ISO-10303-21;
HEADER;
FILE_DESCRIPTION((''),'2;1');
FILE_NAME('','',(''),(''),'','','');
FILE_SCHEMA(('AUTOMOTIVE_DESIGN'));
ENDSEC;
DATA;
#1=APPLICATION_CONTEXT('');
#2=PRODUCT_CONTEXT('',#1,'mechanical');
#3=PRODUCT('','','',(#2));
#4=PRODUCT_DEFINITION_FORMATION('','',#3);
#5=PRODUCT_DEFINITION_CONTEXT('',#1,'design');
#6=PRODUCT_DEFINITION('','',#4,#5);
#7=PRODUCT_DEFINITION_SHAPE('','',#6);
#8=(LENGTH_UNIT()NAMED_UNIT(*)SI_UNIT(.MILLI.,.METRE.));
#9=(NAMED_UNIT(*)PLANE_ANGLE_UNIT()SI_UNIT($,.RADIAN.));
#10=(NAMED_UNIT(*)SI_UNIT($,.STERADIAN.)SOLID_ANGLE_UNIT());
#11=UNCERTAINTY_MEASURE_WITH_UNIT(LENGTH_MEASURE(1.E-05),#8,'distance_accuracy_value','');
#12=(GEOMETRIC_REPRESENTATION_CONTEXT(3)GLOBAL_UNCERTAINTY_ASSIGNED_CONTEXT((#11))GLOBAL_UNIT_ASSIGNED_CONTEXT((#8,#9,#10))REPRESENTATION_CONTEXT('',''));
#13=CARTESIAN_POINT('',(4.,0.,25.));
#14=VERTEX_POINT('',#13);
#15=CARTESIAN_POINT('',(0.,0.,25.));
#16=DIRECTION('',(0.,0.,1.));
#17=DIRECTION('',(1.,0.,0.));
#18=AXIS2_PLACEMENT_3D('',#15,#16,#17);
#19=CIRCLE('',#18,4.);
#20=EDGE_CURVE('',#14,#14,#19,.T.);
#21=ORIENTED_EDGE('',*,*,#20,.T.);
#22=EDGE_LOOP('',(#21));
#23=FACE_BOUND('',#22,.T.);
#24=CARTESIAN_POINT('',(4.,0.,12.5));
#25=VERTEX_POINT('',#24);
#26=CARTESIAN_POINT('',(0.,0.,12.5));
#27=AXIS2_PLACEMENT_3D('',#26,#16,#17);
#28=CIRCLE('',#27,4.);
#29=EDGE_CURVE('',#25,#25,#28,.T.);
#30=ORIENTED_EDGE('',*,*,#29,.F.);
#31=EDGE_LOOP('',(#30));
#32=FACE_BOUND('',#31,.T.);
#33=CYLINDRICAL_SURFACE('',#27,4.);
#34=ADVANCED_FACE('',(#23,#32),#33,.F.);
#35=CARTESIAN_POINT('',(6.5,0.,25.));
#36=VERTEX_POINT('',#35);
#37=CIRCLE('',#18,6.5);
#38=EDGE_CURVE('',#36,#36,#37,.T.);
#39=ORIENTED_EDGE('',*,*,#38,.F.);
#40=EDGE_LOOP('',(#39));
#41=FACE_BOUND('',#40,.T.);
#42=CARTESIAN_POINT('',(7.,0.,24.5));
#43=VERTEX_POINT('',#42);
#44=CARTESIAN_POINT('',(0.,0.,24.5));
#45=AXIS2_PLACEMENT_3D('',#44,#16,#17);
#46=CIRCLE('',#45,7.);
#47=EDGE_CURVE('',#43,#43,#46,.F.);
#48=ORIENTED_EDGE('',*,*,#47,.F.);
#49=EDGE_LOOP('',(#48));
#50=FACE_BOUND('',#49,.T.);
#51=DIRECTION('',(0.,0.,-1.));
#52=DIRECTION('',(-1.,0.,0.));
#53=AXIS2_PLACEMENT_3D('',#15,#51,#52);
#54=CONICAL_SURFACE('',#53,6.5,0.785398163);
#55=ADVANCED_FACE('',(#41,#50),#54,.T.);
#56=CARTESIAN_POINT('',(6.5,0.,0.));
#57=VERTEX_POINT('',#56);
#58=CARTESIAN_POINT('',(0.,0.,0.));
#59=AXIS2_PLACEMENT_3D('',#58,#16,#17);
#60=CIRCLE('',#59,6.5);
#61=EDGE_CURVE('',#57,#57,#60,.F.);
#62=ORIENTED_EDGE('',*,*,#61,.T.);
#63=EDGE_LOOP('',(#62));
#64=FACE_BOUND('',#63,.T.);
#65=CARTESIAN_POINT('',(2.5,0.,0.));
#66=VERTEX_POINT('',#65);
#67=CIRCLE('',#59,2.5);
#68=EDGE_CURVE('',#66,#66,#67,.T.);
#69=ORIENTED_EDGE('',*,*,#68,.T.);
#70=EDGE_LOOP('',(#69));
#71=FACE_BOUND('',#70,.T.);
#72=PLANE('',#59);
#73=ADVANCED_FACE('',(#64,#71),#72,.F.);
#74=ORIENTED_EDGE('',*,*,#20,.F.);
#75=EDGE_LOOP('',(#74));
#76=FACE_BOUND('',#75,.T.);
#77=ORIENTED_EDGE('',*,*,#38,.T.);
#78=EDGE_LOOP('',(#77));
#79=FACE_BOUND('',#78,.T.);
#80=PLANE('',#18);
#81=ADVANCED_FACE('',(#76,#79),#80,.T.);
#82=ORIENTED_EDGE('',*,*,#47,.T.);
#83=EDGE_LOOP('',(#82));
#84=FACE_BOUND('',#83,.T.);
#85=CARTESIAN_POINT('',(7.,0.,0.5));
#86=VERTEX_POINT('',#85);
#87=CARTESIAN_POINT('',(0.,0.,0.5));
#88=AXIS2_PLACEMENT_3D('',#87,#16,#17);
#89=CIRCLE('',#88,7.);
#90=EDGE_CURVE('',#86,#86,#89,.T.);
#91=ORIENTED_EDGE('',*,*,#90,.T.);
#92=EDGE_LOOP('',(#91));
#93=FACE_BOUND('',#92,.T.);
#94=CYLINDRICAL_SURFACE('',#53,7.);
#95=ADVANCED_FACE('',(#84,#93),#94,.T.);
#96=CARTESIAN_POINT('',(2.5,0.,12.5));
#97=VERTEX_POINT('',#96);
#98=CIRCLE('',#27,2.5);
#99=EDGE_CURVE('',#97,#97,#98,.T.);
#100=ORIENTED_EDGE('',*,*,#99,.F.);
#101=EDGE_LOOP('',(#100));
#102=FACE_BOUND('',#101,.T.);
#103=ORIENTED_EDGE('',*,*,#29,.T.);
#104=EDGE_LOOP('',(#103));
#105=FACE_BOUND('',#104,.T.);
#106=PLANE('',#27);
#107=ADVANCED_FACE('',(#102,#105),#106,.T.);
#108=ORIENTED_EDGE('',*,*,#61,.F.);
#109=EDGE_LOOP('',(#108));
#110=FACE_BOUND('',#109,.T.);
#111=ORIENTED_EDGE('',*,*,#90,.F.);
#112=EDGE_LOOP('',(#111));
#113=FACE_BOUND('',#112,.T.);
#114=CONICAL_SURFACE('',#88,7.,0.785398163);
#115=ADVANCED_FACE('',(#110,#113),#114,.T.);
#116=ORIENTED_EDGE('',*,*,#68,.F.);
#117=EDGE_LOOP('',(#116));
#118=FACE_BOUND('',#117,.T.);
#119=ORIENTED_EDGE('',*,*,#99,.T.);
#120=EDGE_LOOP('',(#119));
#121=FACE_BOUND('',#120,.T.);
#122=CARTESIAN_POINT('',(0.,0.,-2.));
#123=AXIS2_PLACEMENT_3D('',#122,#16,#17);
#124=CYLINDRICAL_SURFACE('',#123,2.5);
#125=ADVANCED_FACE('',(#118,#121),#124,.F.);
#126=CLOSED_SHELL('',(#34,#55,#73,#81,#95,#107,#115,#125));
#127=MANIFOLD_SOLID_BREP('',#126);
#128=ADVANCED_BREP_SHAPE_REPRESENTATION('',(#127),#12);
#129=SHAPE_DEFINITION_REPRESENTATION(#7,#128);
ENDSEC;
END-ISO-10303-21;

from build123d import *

# Parameters (mm, degrees)
SKETCH1_R           = 7
BOSS_EXTRUDE1_DEPTH = 25
SKETCH3_R           = 4
CUT_EXTRUDE1_DEPTH  = 12.5
SKETCH4_R           = 2.5
CUT_EXTRUDE2_DEPTH  = 14.5
CHAMFER1_SIZE       = 0.5


with BuildPart() as part:
    # Sketch1 → Boss-Extrude1 (new body)
    with BuildSketch(Plane.XY):
        Circle(SKETCH1_R)
    extrude(amount=BOSS_EXTRUDE1_DEPTH)

    # Sketch3 → Cut-Extrude1 (cut)
    with BuildSketch(Plane.XY.offset(25)):
        Circle(SKETCH3_R)
    extrude(amount=-CUT_EXTRUDE1_DEPTH, mode=Mode.SUBTRACT)

    # Sketch4 → Cut-Extrude2 (cut)
    with BuildSketch(Plane.XY.offset(12.5)):
        Circle(SKETCH4_R)
    extrude(amount=-CUT_EXTRUDE2_DEPTH, mode=Mode.SUBTRACT)

    # Chamfer1
    chamfer1_edges = [part.edges().sort_by_distance(p)[0] for p in [
        (-7, 0, 0),
        (-7, 0, 25),
    ]]
    chamfer(chamfer1_edges, length=CHAMFER1_SIZE)


solid = part.part
